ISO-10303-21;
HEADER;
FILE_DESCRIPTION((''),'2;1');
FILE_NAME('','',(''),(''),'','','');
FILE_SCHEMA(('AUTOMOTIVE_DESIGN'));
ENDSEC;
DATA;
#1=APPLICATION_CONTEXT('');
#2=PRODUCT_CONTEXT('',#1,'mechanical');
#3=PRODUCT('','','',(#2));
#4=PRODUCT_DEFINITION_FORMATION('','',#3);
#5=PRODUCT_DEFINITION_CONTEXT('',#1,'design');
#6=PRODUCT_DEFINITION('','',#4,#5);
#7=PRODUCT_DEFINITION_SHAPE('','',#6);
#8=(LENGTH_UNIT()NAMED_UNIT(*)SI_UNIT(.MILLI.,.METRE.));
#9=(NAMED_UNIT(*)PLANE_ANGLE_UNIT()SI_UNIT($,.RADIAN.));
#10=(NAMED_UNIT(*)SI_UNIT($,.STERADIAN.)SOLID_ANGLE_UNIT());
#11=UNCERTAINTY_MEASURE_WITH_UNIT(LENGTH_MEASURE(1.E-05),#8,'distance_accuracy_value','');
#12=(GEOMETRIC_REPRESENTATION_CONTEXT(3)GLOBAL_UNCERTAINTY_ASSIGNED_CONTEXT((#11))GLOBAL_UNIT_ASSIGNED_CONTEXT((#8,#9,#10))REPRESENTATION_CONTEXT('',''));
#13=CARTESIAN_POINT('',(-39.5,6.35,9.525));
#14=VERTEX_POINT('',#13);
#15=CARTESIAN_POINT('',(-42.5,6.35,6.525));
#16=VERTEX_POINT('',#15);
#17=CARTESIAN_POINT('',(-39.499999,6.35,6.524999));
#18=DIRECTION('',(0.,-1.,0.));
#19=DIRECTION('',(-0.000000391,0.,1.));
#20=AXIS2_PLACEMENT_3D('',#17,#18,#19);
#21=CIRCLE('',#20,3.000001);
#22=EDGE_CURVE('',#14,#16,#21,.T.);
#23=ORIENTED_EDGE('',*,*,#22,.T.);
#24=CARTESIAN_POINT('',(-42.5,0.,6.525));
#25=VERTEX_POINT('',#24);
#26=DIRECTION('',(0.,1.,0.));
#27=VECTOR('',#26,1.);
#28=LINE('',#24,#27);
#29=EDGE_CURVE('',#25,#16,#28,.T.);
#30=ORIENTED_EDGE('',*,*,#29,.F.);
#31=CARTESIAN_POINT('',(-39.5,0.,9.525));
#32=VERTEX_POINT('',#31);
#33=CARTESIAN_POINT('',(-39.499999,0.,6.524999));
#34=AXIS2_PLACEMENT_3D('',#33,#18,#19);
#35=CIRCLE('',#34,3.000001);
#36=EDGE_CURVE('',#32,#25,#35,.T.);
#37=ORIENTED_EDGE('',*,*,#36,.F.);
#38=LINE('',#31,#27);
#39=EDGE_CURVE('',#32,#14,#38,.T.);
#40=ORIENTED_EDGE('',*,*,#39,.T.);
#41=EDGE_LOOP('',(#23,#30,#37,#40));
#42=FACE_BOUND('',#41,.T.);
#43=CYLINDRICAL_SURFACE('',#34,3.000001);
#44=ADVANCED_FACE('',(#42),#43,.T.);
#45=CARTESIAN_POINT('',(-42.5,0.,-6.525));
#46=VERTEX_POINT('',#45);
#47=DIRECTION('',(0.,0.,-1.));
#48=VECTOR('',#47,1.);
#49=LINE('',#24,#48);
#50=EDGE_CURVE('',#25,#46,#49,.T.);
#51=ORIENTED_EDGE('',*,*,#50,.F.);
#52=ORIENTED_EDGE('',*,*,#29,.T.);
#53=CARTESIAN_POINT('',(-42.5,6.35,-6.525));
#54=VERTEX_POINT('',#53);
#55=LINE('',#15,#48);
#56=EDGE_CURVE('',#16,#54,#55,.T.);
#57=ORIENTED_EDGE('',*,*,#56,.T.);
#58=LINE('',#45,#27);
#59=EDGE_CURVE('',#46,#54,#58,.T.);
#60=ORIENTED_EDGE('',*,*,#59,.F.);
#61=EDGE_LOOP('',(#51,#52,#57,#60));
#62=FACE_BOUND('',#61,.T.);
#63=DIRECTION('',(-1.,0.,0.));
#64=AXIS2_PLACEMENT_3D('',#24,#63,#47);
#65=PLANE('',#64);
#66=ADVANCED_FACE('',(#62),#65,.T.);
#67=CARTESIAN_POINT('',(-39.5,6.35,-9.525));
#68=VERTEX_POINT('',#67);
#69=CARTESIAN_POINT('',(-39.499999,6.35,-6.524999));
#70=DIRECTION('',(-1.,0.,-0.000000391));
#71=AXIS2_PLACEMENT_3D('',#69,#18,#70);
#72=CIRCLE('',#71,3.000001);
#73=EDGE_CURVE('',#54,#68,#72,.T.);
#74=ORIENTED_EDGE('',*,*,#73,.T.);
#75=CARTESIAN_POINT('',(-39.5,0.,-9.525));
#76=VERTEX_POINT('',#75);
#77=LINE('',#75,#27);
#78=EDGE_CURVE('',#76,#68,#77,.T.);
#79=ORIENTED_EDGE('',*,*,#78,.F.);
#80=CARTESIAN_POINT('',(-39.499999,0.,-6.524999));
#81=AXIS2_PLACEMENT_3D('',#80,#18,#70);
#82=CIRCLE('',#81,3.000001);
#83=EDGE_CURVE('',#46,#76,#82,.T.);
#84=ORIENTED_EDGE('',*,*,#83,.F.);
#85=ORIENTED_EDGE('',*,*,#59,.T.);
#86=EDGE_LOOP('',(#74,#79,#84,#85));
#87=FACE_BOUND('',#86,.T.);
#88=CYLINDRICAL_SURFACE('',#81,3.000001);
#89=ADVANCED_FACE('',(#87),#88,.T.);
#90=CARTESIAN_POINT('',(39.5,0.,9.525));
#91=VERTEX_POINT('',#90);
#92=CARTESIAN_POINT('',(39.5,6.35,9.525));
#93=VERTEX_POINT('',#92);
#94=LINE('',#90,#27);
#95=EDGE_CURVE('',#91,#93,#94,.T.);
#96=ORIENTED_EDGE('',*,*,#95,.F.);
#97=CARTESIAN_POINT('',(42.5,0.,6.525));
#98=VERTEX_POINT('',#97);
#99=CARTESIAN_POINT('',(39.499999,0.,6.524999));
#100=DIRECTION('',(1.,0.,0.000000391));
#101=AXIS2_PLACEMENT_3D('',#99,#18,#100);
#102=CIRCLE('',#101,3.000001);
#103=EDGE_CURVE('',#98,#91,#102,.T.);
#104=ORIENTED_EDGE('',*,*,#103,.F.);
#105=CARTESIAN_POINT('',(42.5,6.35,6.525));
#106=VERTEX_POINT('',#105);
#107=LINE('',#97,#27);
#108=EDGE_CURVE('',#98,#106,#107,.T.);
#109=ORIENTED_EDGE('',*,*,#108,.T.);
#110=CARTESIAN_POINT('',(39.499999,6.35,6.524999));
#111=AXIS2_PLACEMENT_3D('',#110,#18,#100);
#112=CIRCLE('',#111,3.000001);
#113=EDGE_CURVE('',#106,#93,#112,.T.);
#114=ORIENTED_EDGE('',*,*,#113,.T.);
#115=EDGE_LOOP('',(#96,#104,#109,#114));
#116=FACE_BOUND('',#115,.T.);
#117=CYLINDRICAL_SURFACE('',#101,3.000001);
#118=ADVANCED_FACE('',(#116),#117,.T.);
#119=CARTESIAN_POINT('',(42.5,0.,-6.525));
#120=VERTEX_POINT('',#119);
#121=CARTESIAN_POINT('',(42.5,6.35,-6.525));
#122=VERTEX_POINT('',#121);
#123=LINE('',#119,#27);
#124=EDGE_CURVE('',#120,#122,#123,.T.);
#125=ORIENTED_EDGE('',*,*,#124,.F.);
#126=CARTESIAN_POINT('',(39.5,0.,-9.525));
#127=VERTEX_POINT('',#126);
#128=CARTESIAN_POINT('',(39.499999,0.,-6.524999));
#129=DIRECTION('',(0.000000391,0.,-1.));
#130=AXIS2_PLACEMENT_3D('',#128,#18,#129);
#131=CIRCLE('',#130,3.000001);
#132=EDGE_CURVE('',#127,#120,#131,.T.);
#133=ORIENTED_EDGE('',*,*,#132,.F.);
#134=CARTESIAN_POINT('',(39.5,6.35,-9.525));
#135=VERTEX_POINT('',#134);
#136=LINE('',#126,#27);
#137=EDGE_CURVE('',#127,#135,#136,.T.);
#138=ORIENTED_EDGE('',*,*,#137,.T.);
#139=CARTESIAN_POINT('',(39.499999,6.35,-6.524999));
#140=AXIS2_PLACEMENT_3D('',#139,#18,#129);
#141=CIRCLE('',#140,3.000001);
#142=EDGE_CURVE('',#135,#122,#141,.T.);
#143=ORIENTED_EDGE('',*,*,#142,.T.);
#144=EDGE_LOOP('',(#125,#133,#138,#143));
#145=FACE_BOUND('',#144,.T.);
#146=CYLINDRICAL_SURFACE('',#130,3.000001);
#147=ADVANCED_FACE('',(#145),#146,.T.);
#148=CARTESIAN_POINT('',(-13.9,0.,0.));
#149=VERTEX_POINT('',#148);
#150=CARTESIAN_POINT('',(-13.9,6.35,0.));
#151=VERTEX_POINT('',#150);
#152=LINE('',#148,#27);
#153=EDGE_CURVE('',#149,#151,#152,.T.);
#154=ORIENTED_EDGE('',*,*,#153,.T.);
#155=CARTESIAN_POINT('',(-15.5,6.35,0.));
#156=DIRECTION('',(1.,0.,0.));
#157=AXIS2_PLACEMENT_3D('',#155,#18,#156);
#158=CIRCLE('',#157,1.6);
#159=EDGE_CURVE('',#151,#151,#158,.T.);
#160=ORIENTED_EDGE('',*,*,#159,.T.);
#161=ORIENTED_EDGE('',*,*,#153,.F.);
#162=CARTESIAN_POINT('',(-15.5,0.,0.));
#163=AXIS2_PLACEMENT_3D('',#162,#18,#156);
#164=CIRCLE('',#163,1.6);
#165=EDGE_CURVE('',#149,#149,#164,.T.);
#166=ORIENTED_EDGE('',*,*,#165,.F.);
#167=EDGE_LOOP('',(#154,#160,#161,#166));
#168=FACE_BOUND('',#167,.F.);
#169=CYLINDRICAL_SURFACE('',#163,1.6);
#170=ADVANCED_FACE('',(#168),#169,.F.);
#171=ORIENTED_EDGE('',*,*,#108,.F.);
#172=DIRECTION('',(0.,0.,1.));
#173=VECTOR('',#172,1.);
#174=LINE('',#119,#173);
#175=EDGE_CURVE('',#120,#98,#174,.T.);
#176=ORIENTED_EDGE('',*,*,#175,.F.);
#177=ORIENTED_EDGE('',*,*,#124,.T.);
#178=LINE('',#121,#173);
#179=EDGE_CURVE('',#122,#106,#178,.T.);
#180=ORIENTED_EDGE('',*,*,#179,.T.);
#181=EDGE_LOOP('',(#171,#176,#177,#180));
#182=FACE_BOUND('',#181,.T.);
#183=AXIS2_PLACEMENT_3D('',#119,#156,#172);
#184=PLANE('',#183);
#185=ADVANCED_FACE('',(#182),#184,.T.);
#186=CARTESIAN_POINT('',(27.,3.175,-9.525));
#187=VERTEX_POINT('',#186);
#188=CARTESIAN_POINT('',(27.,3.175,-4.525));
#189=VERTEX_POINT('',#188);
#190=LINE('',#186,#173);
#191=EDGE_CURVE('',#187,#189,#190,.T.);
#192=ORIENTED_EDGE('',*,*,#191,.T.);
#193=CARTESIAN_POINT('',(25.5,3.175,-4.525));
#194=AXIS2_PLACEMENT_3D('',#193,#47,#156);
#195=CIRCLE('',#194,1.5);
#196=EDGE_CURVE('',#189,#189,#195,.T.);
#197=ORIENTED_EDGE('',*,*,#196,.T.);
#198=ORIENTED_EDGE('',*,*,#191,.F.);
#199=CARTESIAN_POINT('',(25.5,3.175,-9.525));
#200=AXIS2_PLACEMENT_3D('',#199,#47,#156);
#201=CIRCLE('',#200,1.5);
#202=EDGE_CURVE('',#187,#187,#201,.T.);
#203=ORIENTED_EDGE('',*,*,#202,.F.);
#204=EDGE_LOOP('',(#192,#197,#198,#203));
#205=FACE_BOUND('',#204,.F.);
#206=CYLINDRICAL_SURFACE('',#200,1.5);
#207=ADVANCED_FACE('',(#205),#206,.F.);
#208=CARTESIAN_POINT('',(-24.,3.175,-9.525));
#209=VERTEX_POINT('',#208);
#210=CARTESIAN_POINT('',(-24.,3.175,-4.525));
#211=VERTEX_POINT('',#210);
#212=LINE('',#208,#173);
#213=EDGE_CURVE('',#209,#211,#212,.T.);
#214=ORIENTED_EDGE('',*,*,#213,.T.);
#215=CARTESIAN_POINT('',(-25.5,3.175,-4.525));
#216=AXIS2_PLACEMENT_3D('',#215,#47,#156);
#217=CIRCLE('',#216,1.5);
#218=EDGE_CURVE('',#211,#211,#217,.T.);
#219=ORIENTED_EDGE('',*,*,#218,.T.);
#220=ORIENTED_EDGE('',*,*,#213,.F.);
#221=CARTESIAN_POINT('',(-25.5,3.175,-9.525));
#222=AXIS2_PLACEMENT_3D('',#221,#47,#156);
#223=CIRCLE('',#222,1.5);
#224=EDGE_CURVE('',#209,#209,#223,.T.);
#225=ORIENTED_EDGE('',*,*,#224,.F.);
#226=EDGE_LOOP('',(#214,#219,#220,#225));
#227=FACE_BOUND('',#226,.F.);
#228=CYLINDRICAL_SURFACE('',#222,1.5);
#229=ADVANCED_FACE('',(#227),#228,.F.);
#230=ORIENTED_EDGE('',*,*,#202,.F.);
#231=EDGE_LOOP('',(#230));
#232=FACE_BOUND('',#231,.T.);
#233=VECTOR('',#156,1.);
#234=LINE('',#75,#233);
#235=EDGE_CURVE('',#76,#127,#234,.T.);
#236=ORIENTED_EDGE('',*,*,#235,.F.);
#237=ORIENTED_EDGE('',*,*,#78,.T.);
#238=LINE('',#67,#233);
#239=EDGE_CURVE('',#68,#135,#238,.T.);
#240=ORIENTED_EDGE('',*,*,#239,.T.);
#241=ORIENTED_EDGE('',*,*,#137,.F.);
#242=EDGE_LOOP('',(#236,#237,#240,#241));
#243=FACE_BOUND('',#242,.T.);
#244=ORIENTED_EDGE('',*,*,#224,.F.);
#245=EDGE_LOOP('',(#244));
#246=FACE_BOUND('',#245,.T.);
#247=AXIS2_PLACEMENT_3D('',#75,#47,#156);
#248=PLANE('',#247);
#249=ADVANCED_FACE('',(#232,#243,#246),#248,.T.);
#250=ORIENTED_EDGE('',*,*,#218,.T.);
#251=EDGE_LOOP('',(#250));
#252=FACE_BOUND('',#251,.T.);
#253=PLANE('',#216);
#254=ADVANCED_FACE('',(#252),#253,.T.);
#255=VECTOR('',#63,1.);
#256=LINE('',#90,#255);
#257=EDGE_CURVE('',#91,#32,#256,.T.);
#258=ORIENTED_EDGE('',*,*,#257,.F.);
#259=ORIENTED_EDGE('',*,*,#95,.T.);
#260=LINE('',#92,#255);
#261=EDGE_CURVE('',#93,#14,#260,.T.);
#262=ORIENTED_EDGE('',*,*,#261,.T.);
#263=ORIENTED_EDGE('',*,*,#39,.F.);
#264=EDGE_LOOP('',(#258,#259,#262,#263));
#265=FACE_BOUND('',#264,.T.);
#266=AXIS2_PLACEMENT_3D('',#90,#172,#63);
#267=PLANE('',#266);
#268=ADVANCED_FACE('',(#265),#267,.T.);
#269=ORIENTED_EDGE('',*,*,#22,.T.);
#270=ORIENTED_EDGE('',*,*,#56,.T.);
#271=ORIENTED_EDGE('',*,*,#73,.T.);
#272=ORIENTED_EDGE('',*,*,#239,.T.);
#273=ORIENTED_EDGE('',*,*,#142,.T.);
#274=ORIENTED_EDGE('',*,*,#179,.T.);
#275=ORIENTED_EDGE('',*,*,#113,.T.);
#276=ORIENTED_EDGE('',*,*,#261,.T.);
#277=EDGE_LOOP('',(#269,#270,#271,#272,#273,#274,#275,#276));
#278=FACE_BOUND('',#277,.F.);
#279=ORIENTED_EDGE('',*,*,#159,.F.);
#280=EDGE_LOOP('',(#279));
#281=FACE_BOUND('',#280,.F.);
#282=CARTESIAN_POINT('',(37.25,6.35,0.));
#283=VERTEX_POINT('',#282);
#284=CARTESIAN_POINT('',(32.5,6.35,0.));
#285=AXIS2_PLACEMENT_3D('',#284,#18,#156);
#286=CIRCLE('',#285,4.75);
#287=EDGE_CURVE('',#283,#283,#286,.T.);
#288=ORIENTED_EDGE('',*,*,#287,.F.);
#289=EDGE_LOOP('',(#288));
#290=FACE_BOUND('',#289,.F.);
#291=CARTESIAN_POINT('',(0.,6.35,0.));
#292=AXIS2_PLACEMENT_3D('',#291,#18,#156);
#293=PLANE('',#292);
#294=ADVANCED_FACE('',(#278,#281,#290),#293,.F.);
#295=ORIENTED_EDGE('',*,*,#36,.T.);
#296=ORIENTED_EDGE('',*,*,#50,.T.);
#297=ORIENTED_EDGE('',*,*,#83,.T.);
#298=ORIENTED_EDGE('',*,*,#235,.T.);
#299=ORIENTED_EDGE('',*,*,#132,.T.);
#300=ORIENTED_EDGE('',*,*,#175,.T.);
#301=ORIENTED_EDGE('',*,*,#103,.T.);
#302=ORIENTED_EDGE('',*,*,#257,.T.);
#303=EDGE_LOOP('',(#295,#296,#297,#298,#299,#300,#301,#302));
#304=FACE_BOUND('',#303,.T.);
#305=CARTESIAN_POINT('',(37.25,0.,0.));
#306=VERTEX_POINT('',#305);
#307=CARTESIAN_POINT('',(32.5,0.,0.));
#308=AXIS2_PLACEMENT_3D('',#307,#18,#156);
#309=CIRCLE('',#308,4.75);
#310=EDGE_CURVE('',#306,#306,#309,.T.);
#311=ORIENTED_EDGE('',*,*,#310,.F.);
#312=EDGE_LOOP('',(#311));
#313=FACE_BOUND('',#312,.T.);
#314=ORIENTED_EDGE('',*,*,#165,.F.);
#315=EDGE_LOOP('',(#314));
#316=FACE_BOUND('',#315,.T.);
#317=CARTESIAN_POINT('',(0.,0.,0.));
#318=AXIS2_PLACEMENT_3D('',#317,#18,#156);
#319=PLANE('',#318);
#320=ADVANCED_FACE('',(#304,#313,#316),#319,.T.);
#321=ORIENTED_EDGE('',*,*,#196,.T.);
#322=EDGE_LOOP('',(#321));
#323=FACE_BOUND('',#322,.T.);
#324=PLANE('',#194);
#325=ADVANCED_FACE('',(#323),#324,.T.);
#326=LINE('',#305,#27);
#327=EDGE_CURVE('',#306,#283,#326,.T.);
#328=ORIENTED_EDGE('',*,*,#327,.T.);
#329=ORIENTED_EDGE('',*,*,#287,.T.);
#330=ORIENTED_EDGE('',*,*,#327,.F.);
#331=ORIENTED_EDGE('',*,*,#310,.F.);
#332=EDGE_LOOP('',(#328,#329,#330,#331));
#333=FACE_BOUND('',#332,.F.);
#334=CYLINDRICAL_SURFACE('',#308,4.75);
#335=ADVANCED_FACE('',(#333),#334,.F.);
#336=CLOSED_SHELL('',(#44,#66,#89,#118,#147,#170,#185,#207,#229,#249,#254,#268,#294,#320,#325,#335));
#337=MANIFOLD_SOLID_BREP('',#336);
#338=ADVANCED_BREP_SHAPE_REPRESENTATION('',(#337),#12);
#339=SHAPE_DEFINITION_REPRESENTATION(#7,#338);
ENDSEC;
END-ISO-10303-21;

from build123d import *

# Parameters (mm, degrees)
F2_DEPTH = 6.35
F1_R     = 4.75
F1_R_2   = 1.6
F3_DEPTH = 25
F5_R     = 1.5
F6_DEPTH = 5


with BuildPart() as f2:
    # F0 (on Front) → F2 (new body)
    with BuildSketch(Plane.XZ):
        with BuildLine():
            Line((39.5, 9.525), (-39.5, 9.525))
            ThreePointArc((-39.5, 9.525), (-41.62132, 8.64632), (-42.5, 6.525))
            Line((-42.5, 6.525), (-42.5, -6.525))
            ThreePointArc((-42.5, -6.525), (-41.62132, -8.64632), (-39.5, -9.525))
            Line((-39.5, -9.525), (39.5, -9.525))
            ThreePointArc((39.5, -9.525), (41.62132, -8.64632), (42.5, -6.525))
            Line((42.5, -6.525), (42.5, 6.525))
            ThreePointArc((42.5, 6.525), (41.62132, 8.64632), (39.5, 9.525))
        make_face()
    extrude(amount=-F2_DEPTH)

    # F1 (on Front) → F3 (cut)
    with BuildSketch(Plane.XZ):
        with Locations((32.5, 0)):
            Circle(F1_R)
        with Locations((-15.5, 0)):
            Circle(F1_R_2)
    extrude(amount=-F3_DEPTH, mode=Mode.SUBTRACT)

    # F5 (on face) → F6 (cut)
    with BuildSketch(Plane(origin=(0, 0, -9.525), x_dir=(1, 0, 0), z_dir=(0, 0, -1))):
        with Locations((-25.5, -3.175)):
            Circle(F5_R)
        with Locations((25.5, -3.175)):
            Circle(F5_R)
    extrude(amount=-F6_DEPTH, mode=Mode.SUBTRACT)


solid = f2.part
